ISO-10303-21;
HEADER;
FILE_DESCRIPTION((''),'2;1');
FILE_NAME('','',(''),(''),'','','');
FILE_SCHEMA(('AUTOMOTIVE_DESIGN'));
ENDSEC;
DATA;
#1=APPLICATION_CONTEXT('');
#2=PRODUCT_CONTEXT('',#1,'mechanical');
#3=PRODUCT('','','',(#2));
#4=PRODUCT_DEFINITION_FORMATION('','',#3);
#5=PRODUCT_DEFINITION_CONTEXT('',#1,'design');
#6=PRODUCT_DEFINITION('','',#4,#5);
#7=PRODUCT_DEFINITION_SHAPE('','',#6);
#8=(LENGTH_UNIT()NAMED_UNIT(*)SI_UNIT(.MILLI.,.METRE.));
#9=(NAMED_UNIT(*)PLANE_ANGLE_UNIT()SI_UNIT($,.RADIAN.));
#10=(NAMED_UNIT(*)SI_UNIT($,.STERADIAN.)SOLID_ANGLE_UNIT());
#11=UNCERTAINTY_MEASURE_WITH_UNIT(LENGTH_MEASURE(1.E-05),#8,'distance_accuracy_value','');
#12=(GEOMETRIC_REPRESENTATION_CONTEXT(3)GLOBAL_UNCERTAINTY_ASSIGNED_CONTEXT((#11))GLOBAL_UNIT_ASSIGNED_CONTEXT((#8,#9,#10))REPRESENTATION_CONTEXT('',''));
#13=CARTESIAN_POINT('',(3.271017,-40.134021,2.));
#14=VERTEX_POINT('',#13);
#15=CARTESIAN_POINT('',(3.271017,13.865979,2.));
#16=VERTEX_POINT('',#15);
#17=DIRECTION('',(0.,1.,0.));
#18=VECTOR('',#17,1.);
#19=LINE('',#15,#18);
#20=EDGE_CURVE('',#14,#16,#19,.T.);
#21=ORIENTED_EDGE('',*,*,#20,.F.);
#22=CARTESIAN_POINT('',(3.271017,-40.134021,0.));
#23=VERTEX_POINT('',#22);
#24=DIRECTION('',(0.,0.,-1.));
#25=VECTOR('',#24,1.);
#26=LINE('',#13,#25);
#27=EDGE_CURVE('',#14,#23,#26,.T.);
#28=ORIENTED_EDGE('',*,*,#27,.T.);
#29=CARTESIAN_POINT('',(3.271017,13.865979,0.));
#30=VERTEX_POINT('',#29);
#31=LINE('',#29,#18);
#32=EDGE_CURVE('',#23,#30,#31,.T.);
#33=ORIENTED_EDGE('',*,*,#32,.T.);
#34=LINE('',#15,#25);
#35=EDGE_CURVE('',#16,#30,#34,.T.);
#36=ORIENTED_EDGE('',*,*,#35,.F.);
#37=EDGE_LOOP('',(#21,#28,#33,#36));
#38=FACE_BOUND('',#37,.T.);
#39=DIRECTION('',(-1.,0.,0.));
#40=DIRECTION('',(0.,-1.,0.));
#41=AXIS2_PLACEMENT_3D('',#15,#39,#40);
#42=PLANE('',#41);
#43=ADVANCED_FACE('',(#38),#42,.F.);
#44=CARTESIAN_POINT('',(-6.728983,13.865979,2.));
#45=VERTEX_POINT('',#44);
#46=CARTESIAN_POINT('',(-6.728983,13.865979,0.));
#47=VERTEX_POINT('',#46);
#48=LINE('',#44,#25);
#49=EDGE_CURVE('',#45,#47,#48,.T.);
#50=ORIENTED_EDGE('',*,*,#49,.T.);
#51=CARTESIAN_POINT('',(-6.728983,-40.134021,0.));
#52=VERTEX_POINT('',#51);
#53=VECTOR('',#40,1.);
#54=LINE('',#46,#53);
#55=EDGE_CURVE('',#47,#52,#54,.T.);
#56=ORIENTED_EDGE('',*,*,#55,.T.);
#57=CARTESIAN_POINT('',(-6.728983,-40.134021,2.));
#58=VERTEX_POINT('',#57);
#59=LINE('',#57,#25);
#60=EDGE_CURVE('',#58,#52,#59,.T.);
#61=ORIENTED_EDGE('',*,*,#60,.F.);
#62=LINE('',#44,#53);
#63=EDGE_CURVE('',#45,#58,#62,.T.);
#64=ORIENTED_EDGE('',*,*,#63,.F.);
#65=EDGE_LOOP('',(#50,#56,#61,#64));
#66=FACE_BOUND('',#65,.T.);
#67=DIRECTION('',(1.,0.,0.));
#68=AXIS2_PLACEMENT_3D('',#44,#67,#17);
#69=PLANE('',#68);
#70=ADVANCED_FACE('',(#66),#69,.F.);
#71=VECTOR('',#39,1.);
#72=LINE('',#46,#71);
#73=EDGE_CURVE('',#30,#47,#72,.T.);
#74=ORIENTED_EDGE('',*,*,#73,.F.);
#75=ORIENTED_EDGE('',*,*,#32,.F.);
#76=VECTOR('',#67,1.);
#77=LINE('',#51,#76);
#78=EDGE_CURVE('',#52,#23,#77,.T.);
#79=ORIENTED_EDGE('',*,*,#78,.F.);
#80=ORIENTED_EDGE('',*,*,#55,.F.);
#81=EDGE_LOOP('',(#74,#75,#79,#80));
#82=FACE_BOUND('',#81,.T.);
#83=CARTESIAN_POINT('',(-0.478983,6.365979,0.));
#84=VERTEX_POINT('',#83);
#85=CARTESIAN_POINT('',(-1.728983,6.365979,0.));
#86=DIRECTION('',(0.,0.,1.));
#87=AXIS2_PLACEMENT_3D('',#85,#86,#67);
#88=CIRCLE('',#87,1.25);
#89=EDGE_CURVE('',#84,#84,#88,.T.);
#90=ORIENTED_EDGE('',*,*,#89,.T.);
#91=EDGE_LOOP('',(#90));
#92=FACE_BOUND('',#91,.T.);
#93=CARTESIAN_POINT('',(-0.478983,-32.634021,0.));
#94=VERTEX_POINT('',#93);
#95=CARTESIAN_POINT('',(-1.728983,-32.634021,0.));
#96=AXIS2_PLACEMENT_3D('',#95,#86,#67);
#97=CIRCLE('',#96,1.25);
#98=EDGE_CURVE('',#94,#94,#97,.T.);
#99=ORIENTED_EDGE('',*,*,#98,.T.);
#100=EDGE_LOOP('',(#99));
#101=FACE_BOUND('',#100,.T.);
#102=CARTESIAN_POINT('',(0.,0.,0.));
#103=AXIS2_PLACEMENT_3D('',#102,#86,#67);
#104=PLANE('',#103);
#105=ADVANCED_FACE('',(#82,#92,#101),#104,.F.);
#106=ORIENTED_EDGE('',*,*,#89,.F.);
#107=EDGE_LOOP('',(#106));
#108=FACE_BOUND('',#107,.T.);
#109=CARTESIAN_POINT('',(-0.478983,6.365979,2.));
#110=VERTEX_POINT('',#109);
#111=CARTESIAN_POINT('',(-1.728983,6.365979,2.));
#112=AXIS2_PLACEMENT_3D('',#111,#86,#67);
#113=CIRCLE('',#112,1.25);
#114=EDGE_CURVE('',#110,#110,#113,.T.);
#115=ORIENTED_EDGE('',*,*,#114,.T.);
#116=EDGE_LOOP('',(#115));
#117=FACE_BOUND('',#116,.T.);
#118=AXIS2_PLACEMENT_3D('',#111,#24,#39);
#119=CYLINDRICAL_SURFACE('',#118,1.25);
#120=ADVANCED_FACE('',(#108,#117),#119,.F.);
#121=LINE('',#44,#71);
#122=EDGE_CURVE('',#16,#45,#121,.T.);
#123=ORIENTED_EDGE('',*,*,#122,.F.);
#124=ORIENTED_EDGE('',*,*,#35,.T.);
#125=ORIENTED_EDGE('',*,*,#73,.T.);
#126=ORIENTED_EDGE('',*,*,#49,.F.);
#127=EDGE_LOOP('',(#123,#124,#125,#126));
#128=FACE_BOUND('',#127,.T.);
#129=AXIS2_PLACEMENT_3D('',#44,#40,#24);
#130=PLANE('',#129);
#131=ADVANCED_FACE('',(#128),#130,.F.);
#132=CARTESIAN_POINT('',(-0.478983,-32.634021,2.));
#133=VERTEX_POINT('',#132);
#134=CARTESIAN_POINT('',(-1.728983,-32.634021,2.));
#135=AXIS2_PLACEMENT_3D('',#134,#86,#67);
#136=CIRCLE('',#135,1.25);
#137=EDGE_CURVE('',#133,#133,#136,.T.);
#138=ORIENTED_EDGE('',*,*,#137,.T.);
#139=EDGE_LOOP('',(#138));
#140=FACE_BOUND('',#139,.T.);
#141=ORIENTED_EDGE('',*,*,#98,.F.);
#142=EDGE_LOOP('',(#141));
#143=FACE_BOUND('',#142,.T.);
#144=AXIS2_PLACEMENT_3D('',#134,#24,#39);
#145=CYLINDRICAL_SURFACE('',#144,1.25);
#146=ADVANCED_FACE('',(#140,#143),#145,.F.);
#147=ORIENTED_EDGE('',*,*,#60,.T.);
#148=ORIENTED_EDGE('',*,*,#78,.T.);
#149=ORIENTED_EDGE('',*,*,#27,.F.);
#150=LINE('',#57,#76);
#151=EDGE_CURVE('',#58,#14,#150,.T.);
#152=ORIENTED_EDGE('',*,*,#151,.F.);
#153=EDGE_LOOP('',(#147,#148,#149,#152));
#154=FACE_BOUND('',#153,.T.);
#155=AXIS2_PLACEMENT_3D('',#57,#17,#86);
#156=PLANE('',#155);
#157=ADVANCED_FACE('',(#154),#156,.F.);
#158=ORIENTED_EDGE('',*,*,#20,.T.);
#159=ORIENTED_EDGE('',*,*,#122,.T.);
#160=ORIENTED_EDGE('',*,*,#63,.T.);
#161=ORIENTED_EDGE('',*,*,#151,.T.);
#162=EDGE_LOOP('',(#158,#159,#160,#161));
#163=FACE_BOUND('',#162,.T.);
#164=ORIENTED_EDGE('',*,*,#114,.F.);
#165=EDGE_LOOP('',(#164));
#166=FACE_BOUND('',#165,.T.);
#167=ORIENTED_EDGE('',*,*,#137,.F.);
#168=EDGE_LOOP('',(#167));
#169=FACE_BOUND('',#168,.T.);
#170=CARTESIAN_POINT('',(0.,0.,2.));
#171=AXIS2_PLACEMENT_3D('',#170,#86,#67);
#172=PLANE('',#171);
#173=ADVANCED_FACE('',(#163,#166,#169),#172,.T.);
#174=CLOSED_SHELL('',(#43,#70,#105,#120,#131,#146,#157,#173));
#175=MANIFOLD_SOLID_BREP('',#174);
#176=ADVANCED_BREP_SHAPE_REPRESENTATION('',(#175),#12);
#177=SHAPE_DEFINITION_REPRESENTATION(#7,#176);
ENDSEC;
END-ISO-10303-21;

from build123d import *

# Parameters (mm, degrees)
SKETCH_1_W      = 10
SKETCH_1_H      = 54
SKETCH_1_R      = 1.25
EXTRUDE_1_DEPTH = 2


with BuildPart() as part:
    # 草圖1 → 填料-伸長1 (new body)
    with BuildSketch(Plane.XY):
        with Locations((-1.728982539, -13.134020619)):
            Rectangle(SKETCH_1_W, SKETCH_1_H)
        with Locations((-1.728982539, 6.365979381)):
            Circle(SKETCH_1_R, mode=Mode.SUBTRACT)
        with Locations((-1.728982539, -32.634020619)):
            Circle(SKETCH_1_R, mode=Mode.SUBTRACT)
    extrude(amount=EXTRUDE_1_DEPTH)


solid = part.part
